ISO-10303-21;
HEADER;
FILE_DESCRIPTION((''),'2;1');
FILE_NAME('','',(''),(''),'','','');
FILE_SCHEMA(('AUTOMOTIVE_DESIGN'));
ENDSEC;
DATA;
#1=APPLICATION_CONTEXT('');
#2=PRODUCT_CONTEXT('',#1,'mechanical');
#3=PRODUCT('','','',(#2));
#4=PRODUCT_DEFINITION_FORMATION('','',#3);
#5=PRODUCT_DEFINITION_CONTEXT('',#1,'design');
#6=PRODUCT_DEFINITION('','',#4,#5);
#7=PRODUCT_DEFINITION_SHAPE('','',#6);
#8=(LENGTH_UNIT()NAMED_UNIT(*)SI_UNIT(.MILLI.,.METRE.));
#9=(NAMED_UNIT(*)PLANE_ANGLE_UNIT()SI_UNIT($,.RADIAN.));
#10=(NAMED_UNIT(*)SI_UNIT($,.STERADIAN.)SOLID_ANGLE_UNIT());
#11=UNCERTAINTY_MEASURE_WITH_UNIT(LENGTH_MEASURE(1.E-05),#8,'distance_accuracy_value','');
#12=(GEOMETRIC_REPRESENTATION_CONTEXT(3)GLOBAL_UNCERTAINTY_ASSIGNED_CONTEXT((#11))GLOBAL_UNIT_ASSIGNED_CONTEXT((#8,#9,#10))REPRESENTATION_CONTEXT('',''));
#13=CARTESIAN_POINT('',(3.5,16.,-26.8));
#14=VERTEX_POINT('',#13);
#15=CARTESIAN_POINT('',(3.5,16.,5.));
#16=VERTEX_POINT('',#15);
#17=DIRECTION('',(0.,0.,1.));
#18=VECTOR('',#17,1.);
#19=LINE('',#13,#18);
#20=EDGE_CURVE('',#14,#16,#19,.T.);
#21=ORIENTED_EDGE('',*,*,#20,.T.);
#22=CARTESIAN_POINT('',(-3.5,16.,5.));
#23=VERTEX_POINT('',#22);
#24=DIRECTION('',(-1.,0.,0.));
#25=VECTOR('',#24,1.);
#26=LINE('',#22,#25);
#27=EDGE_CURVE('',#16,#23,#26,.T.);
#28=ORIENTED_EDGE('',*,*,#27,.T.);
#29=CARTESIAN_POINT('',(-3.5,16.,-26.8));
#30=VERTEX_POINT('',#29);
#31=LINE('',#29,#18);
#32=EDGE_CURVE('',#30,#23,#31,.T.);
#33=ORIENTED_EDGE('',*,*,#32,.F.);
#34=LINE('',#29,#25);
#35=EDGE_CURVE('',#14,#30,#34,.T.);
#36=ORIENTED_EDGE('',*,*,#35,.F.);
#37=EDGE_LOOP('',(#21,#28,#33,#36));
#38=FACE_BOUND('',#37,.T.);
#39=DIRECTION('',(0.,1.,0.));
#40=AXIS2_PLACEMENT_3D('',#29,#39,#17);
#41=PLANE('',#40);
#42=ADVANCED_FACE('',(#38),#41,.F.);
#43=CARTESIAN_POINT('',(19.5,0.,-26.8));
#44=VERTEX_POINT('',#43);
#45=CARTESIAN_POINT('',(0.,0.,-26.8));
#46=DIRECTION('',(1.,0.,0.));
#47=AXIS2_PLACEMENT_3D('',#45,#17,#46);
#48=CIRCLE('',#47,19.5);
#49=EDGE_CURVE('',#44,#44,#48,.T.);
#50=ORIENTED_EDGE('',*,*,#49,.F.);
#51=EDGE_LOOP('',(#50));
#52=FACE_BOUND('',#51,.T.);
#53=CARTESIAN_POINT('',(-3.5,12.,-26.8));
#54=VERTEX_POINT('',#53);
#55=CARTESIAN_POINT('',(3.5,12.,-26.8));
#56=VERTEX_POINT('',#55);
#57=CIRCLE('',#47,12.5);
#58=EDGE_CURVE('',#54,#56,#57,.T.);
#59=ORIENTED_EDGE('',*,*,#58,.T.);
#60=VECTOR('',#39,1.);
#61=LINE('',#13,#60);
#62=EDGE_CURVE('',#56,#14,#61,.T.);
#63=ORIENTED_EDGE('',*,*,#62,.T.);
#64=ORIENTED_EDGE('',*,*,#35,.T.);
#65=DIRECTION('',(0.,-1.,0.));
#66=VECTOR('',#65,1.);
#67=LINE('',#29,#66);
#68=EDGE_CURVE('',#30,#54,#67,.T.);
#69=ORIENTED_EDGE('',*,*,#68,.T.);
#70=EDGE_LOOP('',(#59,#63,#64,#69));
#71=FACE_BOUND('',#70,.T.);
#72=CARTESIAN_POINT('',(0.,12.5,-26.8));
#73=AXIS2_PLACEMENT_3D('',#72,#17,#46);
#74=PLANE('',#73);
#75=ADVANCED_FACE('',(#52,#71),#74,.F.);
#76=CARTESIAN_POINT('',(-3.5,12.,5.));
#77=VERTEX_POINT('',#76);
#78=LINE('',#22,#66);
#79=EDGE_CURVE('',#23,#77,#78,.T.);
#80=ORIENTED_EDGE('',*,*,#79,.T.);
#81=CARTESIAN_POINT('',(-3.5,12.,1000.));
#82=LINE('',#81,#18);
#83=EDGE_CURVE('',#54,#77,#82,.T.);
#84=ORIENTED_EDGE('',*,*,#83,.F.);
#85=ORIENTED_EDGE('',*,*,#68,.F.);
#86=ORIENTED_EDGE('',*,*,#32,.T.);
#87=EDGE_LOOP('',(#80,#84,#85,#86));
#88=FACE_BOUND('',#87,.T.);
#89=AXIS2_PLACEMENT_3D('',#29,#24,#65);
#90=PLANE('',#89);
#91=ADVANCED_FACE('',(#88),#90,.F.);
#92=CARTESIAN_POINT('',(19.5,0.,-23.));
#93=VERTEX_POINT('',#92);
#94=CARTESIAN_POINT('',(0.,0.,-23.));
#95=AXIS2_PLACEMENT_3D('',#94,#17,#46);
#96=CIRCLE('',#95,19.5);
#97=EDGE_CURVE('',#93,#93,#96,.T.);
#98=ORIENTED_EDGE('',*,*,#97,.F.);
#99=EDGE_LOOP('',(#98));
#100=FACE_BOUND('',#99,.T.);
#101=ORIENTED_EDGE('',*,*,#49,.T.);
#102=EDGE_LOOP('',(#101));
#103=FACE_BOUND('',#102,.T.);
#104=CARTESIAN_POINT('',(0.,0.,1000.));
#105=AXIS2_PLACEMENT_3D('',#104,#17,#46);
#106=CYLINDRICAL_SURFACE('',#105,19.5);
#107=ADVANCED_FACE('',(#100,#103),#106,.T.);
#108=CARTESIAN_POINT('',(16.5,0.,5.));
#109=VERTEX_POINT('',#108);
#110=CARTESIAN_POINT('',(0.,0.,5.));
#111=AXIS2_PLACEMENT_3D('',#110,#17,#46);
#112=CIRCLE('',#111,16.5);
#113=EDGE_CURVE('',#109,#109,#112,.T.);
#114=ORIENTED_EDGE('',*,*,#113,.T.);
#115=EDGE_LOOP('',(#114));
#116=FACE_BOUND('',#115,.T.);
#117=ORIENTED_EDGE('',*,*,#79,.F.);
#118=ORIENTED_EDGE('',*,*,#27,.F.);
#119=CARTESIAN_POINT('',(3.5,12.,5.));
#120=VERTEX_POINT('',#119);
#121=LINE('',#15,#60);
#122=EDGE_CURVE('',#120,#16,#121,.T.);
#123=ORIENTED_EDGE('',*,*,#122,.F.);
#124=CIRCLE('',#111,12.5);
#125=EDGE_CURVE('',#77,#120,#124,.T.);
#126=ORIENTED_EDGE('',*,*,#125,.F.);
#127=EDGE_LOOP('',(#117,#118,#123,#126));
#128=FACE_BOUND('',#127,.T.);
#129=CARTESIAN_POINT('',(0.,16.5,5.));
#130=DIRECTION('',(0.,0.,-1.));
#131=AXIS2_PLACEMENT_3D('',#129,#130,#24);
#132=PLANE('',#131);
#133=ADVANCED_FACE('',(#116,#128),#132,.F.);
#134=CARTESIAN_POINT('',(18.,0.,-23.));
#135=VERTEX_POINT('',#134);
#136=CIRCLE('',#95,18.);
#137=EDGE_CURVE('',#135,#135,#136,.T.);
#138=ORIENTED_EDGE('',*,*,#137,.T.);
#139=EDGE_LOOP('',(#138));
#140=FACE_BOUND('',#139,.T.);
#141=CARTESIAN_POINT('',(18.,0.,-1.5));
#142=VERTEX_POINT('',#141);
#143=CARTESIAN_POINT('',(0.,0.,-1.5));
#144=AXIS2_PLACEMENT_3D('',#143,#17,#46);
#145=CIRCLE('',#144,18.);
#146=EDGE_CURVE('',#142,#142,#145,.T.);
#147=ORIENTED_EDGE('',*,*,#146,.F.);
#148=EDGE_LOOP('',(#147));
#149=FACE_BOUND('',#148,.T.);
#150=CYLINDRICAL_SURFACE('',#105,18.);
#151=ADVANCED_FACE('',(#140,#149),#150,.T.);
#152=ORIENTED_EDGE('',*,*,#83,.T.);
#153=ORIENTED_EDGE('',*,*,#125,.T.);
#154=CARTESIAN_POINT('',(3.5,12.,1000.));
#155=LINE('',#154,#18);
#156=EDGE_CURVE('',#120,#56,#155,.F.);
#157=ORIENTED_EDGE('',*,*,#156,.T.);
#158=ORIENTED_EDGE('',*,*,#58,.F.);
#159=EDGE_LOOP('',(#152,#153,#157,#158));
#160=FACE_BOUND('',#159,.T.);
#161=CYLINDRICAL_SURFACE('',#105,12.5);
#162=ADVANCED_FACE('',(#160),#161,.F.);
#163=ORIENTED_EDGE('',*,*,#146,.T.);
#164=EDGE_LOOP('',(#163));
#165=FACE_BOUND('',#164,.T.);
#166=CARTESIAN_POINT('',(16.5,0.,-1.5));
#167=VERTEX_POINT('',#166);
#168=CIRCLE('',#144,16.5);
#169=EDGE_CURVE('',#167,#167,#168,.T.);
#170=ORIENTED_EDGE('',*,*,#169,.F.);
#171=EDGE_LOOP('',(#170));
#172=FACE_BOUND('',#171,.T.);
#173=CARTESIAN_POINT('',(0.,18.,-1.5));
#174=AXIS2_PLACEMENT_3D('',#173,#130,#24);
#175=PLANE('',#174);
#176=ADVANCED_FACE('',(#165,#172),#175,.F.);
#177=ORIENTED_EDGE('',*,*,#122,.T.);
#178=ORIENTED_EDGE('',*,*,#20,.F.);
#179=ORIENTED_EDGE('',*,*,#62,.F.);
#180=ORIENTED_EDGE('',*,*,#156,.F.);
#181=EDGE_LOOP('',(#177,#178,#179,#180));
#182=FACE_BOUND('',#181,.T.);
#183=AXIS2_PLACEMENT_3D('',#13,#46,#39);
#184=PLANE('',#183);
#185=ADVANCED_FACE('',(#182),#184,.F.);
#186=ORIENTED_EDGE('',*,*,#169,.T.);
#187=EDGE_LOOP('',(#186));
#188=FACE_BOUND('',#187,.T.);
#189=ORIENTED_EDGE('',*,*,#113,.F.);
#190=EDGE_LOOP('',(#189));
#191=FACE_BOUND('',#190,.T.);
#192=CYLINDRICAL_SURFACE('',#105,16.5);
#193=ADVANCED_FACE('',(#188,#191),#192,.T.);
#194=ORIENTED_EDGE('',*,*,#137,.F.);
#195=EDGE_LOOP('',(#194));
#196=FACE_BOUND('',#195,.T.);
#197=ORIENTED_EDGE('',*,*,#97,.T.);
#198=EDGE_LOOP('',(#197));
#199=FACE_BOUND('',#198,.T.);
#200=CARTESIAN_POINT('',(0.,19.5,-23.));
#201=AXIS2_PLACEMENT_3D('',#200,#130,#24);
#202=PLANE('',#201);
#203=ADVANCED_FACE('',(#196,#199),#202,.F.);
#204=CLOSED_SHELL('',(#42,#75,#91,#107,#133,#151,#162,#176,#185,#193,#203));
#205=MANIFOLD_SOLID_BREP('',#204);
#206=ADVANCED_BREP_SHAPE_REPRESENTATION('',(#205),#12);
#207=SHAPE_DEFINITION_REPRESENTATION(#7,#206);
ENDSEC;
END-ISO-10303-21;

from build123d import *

# Parameters (mm, degrees)
SKETCH_2_W          = 7
SKETCH_2_H          = 7
CUT_EXTRUDE_1_DEPTH = 32.8


with BuildPart() as part:
    # Эскиз1 → Повернуть1 (revolve)
    with BuildSketch(Plane(origin=(0, 0, 0), x_dir=(0, 0, -1), z_dir=(1, 0, 0))):
        Polygon((26.8, 12.5), (-5, 12.5), (-5, 16.5), (1.5, 16.5), (1.5, 18), (23, 18), (23, 19.5), (26.8, 19.5), align=None)
    revolve(axis=Axis((0, 0, 1000), (0, 0, -1)))

    # Эскиз2 → Вырез-Вытянуть1 (cut, through all)
    with BuildSketch(Plane.XY.offset(5)):
        with Locations((0, 12.5)):
            Rectangle(SKETCH_2_W, SKETCH_2_H)
    extrude(amount=-CUT_EXTRUDE_1_DEPTH, mode=Mode.SUBTRACT)


solid = part.part
